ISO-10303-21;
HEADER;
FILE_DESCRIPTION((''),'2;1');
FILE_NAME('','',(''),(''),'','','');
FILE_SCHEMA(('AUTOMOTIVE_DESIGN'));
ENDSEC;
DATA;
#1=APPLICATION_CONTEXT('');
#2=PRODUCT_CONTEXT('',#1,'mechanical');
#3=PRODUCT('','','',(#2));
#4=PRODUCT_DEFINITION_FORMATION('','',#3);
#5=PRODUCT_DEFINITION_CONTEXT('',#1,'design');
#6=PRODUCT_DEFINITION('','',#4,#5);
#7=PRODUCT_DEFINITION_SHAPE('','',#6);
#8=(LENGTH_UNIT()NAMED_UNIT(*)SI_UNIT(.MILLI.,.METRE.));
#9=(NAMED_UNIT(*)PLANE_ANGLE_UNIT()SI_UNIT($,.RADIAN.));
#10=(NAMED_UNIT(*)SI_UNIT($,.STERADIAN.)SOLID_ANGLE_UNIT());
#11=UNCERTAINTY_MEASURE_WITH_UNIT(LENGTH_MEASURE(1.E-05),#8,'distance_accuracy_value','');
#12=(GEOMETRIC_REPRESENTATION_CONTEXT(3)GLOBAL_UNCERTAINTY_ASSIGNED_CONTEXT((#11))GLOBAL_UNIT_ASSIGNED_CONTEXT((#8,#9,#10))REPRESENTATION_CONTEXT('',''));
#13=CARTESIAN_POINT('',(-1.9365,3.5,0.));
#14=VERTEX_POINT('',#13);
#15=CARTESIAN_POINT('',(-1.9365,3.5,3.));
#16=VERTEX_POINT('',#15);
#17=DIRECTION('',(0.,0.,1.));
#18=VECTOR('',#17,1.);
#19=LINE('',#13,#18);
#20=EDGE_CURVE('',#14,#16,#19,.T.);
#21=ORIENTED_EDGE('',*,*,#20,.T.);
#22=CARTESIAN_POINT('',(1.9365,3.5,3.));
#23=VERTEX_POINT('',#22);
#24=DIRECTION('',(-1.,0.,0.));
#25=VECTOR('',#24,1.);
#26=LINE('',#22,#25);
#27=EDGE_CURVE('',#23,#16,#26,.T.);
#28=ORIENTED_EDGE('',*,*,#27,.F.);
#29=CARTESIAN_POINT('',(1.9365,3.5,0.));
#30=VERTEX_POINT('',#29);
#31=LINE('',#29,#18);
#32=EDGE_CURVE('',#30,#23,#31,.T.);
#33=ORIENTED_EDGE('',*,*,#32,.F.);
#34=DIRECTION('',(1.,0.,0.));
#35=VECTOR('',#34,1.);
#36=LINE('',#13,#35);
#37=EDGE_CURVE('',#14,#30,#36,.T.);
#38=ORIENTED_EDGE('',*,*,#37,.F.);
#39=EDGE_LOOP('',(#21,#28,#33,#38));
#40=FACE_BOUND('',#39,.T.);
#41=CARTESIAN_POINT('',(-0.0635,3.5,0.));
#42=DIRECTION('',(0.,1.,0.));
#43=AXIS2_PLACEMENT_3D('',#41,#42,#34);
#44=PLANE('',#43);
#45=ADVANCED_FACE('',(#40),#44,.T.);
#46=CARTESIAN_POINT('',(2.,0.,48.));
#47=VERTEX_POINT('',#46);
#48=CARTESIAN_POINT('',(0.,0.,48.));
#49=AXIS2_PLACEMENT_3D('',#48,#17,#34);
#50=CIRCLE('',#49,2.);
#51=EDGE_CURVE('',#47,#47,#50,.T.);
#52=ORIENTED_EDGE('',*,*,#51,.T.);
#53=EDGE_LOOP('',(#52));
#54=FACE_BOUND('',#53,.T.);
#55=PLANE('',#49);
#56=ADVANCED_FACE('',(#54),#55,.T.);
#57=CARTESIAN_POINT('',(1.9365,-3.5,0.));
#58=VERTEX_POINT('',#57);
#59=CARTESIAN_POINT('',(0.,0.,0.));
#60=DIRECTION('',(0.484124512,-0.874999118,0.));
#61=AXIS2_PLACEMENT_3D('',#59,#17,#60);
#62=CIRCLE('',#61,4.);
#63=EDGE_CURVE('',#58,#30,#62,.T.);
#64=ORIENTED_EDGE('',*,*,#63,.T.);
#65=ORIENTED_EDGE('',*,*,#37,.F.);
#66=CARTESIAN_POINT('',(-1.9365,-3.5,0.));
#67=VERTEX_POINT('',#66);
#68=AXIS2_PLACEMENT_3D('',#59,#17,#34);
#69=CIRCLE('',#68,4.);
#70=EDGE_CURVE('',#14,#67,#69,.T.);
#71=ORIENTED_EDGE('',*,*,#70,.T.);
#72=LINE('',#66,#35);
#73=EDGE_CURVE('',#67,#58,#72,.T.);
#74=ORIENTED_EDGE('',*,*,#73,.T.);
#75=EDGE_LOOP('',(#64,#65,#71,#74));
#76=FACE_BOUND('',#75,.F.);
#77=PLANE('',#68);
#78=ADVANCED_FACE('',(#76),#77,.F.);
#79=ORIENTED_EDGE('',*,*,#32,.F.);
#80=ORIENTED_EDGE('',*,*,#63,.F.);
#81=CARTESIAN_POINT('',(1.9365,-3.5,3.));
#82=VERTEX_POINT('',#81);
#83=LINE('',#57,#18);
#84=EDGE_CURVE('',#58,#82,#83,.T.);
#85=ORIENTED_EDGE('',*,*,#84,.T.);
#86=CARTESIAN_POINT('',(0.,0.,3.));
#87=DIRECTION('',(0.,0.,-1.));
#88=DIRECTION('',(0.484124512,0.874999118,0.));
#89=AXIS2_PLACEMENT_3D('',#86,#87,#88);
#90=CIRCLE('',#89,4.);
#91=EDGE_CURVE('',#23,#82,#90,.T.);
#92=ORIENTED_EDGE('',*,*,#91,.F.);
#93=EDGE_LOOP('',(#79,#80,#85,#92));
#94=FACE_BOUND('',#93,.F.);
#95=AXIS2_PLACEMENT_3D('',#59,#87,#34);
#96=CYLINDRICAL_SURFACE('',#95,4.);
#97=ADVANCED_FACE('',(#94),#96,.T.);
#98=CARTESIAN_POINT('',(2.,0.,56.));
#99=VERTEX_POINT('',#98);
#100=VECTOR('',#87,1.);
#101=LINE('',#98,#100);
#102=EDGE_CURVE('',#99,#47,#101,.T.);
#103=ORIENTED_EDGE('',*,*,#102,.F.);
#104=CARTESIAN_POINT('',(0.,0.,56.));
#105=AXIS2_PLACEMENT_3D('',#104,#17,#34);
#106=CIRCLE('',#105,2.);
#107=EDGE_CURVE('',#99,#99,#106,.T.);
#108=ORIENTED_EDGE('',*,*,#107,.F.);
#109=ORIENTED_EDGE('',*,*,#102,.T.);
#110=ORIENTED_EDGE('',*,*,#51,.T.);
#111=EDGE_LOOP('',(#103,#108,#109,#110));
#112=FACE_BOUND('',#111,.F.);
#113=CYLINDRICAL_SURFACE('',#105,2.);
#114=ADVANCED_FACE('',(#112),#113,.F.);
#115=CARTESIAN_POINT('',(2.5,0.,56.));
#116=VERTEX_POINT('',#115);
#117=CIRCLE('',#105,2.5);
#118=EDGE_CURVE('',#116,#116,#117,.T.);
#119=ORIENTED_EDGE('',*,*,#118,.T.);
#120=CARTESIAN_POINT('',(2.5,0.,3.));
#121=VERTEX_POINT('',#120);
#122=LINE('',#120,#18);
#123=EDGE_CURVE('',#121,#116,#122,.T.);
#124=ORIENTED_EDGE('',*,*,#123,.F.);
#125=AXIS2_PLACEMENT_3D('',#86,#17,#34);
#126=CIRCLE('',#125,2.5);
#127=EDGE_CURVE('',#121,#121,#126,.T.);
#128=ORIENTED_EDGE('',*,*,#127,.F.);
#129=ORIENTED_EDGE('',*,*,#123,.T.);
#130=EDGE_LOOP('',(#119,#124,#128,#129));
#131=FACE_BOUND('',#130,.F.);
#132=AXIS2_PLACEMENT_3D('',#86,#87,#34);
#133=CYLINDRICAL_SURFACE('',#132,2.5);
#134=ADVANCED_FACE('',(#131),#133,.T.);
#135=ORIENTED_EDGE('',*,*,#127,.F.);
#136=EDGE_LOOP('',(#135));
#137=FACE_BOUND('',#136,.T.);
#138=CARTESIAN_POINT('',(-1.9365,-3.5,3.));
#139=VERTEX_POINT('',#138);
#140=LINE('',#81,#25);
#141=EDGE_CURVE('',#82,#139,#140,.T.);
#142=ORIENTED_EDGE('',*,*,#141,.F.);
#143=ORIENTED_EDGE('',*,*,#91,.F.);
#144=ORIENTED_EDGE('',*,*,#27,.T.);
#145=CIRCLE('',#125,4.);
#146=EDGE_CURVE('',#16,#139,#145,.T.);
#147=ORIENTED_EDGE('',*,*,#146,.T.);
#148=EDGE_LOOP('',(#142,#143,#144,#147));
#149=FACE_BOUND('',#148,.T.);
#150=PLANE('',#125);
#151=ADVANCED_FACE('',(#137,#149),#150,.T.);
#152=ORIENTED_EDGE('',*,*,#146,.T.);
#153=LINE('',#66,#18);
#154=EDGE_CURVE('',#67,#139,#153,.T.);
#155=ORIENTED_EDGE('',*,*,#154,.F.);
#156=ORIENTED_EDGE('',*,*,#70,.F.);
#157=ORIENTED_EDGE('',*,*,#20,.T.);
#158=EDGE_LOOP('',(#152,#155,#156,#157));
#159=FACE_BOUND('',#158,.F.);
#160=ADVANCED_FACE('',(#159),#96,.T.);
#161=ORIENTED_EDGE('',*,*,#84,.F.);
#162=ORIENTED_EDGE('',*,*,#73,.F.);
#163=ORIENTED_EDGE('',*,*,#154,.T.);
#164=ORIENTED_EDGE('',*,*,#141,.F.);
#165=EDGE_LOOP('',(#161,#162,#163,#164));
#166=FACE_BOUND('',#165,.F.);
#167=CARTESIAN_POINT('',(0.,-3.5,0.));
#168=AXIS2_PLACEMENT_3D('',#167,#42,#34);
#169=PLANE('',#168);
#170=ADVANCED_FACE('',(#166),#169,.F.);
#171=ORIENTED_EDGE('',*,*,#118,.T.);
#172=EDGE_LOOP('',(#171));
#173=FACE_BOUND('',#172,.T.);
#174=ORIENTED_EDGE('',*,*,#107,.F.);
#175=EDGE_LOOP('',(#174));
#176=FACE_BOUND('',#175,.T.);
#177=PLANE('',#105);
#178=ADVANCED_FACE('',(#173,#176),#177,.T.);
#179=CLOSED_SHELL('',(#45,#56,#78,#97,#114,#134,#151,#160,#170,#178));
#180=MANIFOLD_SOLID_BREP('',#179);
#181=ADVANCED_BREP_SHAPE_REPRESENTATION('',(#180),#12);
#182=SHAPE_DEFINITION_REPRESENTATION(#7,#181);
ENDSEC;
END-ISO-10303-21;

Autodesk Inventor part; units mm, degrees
ref_plane "YZ Plane" through (0, 0, 0) normal (1, 0, 0) x (0, 1, 0)
ref_plane "XZ Plane" through (0, 0, 0) normal (0, 1, 0) x (-1, 0, 0)
ref_plane "XY Plane" through (0, 0, 0) normal (0, 0, 1) x (1, 0, 0)
sketch "Sketch1" plane through (0, 0, 0) normal (0, 0, 1) x (1, 0, 0)
  circle A0 centre (0, 0) radius 4
  line L0 (-0.0635, 3.5) -> (1.9365, 3.5)
  line L1 (-0.0635, 3.5) -> (2, 3.5) construction
  line L2 (1.9365, 3.5) -> (-1.9365, 3.5)
  line L3 (0, -3.5) -> (1.9365, -3.5)
  line L4 (1.9365, -3.5) -> (-1.9365, -3.5)
  dimension "d0" = 8
  dimension "d1" = 2
  dimension "d2" = 0
extrude "Extrusion1" add sketch "Sketch1" along normal blind 3 contours A0 L3 L4 L2 L0
sketch "Sketch2" plane through (0, 0, 3) normal (0, 0, 1) x (1, 0, 0)
  circle A0 centre (0, 0) radius 2.5
  dimension "d5" = 5
extrude "Extrusion2" add sketch "Sketch2" along normal blind 53
sketch "Sketch3" plane through (0, 0, 56) normal (0, 0, 1) x (1, 0, 0)
  arc A0 (-1.9365, 3.5) -> (-1.9365, -3.5) centre (0, 0) ccw projected
  circle A1 centre (0, 0) radius 2
  dimension "d8" = 4
extrude "Extrusion3" cut sketch "Sketch3" against normal blind 8
properties part number "Rotation Pin"
